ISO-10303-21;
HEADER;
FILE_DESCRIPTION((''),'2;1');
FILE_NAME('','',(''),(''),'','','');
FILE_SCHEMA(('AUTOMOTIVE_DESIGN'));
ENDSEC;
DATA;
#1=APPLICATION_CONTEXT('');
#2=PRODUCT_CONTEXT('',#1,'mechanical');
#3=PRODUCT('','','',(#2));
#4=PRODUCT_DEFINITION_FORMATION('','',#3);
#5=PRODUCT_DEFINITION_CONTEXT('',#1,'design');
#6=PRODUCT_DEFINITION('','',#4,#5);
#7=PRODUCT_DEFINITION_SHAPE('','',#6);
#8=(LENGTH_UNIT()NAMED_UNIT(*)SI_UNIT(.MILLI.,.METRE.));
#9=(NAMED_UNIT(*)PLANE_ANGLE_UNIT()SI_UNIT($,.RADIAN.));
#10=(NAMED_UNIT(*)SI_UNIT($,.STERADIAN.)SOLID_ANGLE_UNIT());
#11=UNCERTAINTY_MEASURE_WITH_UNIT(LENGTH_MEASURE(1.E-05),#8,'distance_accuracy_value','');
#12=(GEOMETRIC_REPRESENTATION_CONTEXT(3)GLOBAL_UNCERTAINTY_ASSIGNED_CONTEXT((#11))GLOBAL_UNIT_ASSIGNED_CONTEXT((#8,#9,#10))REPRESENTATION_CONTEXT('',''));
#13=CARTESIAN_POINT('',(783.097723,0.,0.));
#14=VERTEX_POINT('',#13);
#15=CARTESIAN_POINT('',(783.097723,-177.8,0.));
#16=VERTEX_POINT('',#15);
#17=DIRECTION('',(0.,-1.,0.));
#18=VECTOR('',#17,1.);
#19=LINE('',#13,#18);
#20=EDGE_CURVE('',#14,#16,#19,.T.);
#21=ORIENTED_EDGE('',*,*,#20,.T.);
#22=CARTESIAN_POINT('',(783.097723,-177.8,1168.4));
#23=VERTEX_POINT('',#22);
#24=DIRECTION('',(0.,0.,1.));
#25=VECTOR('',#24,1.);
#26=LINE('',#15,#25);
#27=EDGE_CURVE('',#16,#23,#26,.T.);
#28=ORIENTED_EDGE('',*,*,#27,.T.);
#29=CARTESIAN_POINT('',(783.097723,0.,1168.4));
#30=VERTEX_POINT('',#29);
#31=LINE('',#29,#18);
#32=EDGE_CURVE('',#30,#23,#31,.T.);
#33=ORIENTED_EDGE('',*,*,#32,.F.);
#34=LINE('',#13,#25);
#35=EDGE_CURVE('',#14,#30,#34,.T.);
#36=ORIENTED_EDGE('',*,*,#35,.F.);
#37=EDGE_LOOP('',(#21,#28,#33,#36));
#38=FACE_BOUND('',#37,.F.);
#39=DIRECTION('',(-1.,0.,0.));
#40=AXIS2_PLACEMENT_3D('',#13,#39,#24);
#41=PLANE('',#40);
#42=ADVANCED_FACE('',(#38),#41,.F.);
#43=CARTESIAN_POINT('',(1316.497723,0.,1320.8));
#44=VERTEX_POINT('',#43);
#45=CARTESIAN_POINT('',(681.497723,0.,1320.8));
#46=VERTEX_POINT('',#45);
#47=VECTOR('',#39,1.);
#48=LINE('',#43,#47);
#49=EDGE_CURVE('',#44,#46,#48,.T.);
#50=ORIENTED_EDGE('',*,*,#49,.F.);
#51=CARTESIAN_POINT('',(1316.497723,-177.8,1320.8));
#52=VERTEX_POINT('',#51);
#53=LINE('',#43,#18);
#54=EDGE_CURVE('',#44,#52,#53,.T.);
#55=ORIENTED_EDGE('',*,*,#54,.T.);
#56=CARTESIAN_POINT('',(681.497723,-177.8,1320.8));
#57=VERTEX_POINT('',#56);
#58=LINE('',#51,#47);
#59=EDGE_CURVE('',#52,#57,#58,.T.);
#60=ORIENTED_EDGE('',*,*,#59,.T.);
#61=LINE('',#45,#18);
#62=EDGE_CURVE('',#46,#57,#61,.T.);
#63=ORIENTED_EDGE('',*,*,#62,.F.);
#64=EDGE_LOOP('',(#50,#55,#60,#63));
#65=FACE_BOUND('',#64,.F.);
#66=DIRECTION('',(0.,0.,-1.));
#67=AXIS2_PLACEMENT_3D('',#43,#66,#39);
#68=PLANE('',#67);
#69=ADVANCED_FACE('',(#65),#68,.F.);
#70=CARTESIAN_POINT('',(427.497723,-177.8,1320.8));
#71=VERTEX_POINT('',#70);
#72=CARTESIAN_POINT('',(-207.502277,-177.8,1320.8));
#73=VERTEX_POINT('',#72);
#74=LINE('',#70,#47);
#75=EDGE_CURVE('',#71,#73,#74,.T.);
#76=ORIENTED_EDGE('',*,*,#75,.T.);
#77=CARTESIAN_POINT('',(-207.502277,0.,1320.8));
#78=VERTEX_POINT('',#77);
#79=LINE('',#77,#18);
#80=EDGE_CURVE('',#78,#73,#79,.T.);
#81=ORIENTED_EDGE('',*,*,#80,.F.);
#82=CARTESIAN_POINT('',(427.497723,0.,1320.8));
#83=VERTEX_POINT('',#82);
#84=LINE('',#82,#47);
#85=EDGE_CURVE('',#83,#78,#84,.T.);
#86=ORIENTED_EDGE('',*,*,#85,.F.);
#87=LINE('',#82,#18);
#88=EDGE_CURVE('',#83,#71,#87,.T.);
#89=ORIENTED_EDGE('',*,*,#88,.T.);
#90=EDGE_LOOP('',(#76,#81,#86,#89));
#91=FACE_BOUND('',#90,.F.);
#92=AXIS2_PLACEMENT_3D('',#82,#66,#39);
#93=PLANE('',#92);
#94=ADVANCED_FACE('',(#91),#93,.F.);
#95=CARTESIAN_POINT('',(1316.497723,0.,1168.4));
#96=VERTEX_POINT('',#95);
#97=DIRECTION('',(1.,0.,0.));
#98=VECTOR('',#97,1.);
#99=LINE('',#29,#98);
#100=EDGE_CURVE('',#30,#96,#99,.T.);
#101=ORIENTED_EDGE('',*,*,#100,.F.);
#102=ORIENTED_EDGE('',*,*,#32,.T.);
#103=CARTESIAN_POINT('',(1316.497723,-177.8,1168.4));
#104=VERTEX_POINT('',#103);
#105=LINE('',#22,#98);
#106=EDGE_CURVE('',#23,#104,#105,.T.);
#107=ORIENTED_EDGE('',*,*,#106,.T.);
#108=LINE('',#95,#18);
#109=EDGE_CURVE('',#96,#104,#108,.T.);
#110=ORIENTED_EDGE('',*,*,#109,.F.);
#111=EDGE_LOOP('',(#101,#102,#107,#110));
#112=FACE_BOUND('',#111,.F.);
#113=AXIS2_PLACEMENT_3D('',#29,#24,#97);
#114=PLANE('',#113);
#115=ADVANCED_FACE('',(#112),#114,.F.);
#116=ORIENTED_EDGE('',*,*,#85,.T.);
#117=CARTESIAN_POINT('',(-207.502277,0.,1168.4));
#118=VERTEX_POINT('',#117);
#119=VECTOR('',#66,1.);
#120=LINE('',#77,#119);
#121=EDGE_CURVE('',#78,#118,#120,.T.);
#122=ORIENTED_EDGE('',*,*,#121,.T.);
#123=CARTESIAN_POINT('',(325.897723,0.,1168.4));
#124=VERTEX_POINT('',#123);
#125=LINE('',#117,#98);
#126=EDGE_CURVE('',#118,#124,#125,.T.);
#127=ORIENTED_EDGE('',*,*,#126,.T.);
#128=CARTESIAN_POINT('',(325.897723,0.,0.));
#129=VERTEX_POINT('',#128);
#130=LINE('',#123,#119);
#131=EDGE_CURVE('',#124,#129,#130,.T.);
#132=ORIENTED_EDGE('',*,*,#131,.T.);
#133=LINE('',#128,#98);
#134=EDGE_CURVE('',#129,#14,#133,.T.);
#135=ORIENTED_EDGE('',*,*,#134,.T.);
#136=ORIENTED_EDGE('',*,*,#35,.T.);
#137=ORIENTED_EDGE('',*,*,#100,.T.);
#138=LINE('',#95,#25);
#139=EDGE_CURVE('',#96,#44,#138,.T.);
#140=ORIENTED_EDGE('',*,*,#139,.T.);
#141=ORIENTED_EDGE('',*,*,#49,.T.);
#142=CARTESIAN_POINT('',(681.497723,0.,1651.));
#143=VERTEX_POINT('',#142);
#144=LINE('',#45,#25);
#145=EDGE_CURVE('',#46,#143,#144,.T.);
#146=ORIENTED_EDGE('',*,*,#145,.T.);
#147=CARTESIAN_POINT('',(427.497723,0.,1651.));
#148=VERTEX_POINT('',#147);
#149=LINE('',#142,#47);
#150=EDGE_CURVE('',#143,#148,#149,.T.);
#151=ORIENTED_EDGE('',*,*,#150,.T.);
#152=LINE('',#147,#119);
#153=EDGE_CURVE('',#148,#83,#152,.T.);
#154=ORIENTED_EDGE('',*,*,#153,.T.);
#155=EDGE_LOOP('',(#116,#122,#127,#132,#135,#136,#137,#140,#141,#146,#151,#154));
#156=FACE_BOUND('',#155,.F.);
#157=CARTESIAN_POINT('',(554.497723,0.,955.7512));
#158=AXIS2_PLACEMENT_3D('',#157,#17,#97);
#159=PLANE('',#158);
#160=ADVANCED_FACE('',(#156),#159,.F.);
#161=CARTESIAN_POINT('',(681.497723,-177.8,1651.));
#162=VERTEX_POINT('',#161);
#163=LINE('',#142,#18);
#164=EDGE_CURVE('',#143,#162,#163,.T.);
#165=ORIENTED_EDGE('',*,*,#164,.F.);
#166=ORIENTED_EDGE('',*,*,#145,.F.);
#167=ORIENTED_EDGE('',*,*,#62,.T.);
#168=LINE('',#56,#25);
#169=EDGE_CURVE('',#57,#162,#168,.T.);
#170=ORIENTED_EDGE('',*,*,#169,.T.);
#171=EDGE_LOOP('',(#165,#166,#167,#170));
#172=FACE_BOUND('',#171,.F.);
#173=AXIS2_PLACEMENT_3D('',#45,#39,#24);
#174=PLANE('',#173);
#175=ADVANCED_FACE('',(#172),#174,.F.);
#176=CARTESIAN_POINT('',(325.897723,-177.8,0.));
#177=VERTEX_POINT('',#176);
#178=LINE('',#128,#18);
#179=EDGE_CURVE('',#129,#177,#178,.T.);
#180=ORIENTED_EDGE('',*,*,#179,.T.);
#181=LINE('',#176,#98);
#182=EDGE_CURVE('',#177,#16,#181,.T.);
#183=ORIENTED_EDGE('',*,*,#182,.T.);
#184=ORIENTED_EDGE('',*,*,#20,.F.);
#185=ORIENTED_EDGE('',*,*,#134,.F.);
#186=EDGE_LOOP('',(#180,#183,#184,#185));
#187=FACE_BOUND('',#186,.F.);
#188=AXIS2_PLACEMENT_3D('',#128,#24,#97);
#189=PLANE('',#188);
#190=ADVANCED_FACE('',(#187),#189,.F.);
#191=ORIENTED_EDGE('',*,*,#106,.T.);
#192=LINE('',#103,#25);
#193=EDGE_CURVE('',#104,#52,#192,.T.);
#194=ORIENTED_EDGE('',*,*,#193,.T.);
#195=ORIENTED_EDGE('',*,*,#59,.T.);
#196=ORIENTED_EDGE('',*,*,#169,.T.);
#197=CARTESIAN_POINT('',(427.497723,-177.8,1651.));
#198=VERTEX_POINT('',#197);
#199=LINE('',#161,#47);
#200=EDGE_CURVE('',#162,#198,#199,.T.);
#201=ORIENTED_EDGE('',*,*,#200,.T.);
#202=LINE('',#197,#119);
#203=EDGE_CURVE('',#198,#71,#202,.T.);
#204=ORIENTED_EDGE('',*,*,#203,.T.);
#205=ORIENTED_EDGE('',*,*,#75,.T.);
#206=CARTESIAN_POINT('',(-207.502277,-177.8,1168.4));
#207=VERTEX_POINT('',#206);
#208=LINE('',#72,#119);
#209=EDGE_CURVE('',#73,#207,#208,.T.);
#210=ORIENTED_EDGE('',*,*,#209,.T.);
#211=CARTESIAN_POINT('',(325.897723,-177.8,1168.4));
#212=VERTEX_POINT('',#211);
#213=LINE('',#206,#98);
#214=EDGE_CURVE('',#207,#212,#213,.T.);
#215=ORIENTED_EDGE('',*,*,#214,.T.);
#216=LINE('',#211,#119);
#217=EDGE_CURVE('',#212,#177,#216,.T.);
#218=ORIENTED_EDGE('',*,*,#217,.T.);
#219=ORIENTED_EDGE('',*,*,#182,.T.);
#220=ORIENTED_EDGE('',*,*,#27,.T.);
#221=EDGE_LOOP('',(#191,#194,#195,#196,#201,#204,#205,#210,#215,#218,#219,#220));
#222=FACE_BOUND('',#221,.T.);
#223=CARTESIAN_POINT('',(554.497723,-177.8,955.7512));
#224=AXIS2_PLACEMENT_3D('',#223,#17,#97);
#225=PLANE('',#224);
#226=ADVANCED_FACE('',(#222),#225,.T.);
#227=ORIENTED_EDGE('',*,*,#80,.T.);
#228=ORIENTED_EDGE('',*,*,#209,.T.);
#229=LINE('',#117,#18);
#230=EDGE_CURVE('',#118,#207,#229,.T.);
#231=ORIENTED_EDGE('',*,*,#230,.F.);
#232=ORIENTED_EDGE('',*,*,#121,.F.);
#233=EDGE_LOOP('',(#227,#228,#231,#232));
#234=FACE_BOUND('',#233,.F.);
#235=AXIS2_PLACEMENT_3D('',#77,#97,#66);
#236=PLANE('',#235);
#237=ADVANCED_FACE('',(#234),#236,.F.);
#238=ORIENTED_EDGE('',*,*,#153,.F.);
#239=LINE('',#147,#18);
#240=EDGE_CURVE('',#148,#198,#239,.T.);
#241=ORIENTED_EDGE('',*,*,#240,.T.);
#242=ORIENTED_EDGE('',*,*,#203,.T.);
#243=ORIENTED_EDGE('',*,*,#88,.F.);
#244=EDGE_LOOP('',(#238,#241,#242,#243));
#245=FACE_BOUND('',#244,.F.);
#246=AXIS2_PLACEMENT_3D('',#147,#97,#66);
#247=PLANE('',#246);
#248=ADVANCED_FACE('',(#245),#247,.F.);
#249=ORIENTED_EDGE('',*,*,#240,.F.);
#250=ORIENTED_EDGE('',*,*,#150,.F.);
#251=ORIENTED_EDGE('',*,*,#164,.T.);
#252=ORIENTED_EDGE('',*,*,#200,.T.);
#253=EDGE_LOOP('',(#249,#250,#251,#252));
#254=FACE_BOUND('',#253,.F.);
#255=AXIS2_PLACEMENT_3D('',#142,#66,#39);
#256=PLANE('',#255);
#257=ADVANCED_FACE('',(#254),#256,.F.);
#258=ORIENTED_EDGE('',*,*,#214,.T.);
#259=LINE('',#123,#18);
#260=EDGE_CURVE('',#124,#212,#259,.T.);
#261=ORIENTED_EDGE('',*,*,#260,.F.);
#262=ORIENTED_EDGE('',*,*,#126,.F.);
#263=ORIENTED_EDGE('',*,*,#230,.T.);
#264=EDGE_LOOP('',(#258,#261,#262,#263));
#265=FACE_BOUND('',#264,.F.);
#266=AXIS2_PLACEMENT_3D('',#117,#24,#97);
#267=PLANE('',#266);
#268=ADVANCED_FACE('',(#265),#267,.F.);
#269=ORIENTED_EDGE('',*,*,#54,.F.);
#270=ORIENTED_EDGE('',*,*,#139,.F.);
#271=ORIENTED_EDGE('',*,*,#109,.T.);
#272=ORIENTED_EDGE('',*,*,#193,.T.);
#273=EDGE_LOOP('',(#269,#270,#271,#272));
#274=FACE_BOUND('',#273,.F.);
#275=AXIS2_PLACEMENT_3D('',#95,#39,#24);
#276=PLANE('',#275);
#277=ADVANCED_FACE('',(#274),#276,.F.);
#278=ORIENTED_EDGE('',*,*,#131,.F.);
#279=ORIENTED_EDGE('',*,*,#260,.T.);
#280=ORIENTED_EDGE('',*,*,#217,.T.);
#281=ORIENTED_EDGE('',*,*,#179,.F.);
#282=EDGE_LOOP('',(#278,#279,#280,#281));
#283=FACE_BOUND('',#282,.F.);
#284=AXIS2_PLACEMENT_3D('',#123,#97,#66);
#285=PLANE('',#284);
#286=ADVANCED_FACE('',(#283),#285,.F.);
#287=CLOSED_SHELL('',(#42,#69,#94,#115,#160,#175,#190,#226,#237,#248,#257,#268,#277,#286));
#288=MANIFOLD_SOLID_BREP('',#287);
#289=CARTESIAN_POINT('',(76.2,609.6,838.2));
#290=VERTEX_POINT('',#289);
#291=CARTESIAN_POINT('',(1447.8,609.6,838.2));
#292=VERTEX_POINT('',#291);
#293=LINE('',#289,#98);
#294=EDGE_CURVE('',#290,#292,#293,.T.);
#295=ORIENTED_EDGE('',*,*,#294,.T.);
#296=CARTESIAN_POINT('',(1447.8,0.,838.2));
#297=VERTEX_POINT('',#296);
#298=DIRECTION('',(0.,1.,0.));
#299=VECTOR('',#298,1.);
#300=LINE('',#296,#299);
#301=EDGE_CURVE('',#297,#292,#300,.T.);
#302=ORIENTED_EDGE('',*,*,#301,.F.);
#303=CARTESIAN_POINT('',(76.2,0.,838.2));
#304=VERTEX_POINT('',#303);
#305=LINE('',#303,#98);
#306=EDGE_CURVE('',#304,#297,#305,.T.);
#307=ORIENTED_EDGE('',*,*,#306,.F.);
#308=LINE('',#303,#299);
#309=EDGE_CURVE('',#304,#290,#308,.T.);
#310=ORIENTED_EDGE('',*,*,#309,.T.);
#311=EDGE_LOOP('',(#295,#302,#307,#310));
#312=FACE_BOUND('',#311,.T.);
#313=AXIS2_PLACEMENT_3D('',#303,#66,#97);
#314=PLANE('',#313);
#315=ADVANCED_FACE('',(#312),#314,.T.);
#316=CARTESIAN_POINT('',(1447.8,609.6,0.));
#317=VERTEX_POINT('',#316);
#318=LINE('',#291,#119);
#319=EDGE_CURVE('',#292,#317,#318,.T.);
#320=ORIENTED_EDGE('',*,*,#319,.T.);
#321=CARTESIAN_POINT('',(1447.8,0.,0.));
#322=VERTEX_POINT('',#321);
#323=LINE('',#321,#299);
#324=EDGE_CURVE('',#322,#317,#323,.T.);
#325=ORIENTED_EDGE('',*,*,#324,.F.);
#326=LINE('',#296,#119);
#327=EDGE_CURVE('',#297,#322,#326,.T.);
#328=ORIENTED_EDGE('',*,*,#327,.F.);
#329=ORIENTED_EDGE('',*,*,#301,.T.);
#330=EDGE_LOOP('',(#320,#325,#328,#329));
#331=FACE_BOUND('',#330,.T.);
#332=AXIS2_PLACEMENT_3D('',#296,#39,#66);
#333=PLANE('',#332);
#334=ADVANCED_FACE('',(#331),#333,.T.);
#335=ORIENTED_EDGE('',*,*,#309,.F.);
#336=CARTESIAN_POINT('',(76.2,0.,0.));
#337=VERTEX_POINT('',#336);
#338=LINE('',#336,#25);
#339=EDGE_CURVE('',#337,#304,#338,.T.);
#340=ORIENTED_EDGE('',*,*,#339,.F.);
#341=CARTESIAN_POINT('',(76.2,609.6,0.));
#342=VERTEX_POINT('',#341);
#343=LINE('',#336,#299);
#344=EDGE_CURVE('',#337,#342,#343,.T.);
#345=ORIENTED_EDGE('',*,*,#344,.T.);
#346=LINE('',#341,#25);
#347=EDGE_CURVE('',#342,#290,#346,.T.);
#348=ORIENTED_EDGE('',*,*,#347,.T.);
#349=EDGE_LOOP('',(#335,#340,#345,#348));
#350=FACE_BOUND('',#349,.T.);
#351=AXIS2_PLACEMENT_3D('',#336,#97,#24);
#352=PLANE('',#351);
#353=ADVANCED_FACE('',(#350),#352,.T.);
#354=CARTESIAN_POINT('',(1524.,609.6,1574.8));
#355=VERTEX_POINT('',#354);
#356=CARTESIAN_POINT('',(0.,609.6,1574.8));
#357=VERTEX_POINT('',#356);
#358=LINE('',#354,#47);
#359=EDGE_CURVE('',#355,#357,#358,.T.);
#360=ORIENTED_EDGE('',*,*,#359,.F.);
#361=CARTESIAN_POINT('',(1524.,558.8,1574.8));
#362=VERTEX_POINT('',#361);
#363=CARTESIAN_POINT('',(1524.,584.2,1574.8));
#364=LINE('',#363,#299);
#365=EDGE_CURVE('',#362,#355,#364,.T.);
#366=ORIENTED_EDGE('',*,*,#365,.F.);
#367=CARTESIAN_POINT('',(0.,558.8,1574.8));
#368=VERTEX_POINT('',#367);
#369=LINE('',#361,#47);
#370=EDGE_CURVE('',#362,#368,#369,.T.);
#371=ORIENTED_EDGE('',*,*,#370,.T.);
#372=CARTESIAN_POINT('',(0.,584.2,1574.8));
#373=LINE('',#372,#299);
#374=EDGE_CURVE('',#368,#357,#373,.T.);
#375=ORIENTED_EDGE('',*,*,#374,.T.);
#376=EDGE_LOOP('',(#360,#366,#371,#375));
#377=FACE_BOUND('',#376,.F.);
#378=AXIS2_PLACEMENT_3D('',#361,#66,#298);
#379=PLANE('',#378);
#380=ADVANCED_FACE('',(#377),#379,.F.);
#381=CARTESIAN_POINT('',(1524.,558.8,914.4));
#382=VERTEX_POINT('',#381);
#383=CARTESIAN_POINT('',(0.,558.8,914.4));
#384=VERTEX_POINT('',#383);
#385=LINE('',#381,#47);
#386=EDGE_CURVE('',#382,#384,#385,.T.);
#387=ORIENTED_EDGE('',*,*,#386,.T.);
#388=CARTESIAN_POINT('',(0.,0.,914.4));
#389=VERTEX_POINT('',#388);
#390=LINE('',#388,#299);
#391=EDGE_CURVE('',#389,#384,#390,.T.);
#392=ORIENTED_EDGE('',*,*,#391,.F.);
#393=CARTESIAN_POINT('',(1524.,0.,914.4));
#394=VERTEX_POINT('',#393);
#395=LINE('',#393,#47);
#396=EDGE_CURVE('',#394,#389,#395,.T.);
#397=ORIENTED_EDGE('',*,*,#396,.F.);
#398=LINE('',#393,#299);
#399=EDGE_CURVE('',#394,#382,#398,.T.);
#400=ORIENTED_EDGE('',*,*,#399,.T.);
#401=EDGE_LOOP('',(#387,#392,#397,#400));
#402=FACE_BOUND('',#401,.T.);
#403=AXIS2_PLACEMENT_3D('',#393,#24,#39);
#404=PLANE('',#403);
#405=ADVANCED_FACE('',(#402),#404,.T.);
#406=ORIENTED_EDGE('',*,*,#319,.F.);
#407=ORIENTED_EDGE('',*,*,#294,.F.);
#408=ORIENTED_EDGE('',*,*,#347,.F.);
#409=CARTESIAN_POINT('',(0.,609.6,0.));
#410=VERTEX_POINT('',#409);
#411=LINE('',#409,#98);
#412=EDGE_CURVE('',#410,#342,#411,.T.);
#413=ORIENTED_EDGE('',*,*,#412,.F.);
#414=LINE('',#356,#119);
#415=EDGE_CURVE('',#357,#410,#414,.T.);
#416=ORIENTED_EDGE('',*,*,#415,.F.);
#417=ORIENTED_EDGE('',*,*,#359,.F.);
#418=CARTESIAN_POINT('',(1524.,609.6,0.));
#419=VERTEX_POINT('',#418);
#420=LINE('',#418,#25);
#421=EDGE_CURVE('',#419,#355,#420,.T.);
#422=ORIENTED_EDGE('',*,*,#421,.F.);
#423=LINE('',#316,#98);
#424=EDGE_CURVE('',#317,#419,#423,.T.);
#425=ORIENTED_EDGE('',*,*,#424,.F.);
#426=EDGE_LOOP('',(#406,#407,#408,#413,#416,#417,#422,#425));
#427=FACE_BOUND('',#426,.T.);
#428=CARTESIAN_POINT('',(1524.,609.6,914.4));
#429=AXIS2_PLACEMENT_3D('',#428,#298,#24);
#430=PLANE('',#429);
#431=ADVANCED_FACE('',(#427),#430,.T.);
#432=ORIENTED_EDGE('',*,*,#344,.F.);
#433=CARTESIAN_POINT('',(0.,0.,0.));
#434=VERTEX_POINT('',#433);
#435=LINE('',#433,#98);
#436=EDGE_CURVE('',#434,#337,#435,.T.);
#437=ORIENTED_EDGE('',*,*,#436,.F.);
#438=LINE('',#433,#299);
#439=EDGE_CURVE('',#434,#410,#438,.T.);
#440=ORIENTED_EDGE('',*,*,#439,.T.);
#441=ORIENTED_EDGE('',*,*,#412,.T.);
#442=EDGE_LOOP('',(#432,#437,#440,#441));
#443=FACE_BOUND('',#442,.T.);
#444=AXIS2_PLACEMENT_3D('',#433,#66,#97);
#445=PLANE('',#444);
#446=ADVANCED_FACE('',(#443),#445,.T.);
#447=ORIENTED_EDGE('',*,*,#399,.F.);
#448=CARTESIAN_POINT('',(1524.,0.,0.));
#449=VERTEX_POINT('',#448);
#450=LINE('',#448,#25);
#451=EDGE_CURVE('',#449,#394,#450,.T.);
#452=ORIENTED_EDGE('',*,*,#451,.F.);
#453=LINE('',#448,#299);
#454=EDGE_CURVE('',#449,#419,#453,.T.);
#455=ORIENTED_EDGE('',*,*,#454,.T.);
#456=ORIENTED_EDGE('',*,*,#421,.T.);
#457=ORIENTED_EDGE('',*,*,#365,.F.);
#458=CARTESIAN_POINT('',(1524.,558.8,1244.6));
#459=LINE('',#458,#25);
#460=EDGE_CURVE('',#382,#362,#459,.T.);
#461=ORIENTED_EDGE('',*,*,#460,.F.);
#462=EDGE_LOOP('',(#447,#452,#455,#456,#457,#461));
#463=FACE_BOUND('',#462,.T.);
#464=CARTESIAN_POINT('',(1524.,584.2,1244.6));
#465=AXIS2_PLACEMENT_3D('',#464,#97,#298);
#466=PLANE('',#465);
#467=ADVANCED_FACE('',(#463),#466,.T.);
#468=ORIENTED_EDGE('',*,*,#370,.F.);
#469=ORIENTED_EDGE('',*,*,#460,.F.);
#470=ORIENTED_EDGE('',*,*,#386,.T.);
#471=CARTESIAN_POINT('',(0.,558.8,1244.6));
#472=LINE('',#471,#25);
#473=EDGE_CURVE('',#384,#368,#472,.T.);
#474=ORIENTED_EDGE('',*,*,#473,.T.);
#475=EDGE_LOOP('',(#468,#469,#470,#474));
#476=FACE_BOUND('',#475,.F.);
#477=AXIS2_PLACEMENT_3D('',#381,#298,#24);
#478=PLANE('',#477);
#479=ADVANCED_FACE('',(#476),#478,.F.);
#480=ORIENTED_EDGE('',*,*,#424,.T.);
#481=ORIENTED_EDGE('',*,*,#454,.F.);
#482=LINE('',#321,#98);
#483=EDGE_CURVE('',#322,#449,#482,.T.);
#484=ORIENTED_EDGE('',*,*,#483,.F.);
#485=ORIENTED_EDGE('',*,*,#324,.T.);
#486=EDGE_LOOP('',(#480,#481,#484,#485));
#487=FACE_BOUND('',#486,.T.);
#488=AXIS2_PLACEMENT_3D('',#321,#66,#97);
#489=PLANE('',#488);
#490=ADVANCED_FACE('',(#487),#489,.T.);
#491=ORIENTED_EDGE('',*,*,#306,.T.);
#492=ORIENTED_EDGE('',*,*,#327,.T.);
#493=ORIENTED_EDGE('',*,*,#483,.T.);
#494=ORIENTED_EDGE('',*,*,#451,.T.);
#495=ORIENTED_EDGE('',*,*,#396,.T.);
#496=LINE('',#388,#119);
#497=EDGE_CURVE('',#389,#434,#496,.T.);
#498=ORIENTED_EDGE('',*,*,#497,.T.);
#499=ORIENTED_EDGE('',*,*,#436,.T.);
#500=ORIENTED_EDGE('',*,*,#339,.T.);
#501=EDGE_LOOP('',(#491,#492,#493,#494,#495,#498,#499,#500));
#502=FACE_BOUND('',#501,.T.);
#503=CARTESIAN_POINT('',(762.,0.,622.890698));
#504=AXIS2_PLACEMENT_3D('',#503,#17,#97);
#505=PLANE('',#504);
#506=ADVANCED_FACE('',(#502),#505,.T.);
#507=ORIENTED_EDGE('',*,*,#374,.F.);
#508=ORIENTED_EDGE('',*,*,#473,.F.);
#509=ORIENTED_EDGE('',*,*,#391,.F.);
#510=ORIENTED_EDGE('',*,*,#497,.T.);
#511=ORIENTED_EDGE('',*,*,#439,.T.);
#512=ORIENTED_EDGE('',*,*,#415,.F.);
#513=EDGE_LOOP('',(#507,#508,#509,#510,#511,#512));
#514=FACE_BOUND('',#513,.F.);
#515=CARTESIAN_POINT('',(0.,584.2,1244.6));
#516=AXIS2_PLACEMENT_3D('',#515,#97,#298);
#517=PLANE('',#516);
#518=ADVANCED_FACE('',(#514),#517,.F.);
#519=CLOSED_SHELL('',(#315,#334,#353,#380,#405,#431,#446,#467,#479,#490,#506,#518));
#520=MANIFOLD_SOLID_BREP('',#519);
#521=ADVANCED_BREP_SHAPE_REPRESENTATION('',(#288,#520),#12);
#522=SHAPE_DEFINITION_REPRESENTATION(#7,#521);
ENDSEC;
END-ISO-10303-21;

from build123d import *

# Parameters (mm, degrees)
F1_DEPTH = 609.6
F2_W     = 50.8
F2_H     = 660.4
F3_DEPTH = 1524
F5_DEPTH = 177.8


with BuildPart() as f1:
    # F0 (on Front) → F1 (new body)
    with BuildSketch(Plane.XZ):
        Polygon((0, 914.4), (0, 0), (76.2, 0), (76.2, 838.2), (1447.8, 838.2), (1447.8, 0), (1524, 0), (1524, 914.4), align=None)
    extrude(amount=-F1_DEPTH)

    # F2 (on face) → F3 (join, through all)
    with BuildSketch(Plane.YZ.offset(1524)):
        with Locations((584.2, 1244.6)):
            Rectangle(F2_W, F2_H)
    extrude(amount=-F3_DEPTH)


with BuildPart() as f5:
    # F4 (on Front) → F5 (new body)
    with BuildSketch(Plane.XZ):
        Polygon((325.897723, 1168.4), (325.897723, 0), (783.097723, 0), (783.097723, 1168.4), (1316.497723, 1168.4), (1316.497723, 1320.8), (681.497723, 1320.8), (681.497723, 1651), (427.497723, 1651), (427.497723, 1320.8), (-207.502277, 1320.8), (-207.502277, 1168.4), align=None)
    extrude(amount=F5_DEPTH)


solid = Compound([f1.part, f5.part])
